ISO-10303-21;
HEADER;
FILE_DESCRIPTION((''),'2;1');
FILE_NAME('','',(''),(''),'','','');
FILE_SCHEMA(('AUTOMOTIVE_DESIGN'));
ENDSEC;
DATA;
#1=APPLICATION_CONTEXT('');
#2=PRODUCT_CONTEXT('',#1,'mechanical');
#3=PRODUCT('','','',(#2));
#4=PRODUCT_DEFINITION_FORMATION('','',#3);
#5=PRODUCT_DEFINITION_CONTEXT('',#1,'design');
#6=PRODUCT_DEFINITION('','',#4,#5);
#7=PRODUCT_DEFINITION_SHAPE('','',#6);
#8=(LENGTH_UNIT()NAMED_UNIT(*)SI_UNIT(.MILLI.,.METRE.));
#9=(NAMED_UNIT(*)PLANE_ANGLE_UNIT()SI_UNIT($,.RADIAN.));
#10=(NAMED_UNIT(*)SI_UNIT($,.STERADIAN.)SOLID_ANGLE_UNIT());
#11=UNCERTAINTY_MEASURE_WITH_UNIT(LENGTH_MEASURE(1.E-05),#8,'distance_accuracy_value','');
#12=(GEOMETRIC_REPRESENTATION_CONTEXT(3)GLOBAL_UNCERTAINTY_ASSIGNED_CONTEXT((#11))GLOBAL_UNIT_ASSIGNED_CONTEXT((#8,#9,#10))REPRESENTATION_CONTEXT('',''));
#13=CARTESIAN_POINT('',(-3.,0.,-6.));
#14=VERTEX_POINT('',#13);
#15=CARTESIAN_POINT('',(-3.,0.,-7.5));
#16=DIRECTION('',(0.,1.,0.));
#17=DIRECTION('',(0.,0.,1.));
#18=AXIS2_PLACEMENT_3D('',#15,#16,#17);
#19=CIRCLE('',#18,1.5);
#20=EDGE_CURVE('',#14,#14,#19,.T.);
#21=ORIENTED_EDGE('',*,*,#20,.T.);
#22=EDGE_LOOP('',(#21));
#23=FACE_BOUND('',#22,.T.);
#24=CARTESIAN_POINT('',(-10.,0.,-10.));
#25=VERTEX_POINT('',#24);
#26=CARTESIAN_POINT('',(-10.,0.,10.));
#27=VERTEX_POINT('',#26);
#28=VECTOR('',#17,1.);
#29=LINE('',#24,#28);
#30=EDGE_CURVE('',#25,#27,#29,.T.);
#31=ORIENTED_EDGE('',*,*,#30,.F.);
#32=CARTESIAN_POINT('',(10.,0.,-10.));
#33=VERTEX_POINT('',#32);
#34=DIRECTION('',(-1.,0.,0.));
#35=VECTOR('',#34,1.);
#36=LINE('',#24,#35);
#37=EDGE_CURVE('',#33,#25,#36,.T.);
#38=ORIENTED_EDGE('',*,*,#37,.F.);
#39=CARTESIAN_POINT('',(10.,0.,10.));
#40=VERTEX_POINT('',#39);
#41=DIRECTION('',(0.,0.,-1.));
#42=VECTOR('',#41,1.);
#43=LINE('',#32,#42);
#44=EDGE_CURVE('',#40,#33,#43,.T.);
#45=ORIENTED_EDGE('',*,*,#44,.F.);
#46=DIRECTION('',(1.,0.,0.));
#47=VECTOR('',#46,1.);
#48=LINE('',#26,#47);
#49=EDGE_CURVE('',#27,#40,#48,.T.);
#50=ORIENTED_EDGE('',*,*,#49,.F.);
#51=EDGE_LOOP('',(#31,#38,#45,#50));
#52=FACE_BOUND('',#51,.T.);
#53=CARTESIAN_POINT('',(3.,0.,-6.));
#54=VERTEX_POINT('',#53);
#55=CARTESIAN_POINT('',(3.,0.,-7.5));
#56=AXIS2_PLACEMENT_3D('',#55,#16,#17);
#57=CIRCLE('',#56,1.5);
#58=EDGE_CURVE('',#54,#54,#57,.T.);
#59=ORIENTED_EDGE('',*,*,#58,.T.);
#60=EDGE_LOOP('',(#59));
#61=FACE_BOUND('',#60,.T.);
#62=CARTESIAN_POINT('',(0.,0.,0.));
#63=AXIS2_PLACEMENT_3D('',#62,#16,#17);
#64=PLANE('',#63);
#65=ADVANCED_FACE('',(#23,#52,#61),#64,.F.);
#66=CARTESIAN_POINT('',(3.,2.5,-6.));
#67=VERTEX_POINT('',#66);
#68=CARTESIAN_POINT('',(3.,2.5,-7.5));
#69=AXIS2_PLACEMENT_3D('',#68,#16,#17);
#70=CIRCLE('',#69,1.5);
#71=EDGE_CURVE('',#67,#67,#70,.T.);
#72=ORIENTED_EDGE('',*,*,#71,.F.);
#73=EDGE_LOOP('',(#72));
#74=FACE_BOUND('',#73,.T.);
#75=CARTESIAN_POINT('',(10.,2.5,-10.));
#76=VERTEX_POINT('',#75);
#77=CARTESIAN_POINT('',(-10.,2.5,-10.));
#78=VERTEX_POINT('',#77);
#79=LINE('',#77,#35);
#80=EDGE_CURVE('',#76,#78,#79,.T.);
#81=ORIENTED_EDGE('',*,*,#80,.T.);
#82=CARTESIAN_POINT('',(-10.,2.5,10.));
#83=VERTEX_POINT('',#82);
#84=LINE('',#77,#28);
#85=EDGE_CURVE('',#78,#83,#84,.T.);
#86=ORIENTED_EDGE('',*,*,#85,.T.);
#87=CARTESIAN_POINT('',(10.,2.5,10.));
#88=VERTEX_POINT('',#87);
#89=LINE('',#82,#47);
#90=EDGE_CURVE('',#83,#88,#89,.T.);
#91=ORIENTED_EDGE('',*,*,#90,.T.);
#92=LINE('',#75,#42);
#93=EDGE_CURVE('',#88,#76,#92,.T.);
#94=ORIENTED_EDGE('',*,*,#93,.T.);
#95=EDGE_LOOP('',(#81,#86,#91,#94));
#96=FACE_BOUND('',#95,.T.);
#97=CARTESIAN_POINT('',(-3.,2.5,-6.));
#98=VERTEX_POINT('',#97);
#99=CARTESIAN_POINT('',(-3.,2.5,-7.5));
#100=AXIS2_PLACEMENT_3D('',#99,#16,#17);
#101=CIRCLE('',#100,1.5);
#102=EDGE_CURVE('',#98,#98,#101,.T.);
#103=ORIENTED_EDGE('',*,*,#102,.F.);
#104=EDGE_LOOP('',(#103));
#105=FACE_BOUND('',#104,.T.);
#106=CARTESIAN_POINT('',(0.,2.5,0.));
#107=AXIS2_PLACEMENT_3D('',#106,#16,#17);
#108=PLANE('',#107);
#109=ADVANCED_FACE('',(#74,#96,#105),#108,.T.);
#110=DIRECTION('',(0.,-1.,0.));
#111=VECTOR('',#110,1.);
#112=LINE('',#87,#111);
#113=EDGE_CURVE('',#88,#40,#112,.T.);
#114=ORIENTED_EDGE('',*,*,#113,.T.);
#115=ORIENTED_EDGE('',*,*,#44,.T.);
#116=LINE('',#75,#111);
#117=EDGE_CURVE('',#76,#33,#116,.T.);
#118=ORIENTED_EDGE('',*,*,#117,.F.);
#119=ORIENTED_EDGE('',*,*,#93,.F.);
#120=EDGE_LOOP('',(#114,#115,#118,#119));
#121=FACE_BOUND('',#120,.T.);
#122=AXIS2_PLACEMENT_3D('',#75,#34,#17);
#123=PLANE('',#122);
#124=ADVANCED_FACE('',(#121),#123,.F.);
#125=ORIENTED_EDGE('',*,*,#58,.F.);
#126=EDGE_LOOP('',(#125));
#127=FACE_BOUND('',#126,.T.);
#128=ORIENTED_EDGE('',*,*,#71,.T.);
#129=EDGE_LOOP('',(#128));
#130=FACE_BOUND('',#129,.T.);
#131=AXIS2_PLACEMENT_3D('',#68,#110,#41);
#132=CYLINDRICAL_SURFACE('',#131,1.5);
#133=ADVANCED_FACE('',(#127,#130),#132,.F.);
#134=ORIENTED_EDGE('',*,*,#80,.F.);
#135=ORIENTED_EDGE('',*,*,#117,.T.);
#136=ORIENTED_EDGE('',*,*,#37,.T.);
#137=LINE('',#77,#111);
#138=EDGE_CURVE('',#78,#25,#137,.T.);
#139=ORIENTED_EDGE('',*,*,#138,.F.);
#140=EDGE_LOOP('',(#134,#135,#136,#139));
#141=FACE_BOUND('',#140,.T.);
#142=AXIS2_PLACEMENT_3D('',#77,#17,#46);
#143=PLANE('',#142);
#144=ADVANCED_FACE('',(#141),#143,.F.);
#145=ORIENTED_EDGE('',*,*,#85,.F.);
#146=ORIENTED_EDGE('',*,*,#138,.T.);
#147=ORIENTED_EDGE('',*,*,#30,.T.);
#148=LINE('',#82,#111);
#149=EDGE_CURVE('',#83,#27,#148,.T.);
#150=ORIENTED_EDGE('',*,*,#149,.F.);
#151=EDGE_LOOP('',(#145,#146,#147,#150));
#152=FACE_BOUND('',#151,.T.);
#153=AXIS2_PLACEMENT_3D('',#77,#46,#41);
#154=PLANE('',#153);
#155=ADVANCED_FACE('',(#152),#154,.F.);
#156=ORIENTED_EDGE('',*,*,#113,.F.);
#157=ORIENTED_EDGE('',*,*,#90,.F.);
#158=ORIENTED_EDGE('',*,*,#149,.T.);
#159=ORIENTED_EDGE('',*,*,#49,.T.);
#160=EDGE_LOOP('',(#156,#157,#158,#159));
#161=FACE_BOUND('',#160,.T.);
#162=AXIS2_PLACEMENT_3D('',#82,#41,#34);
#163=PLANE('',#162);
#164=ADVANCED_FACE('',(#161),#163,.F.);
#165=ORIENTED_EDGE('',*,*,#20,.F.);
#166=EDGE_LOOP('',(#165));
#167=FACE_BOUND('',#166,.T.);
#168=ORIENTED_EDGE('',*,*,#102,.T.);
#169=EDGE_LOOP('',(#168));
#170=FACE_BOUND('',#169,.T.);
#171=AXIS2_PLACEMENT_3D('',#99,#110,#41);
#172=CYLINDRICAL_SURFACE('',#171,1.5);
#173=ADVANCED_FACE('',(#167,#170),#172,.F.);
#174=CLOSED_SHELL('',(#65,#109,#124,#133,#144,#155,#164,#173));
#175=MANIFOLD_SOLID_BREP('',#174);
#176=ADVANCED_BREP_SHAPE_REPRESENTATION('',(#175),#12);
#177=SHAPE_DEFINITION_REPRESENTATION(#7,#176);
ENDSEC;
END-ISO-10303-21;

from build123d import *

# Parameters (mm, degrees)
SKETCH1_W           = 20
SKETCH1_H           = 20
SKETCH1_R           = 1.5
BOSS_EXTRUDE1_DEPTH = 2.5


with BuildPart() as part:
    # Sketch1 → Boss-Extrude1 (new body)
    with BuildSketch(Plane(origin=(0, 0, 0), x_dir=(1, 0, 0), z_dir=(0, 1, 0))):
        Rectangle(SKETCH1_W, SKETCH1_H)
        with Locations((-3, 7.5)):
            Circle(SKETCH1_R, mode=Mode.SUBTRACT)
        with Locations((3, 7.5)):
            Circle(SKETCH1_R, mode=Mode.SUBTRACT)
    extrude(amount=BOSS_EXTRUDE1_DEPTH)


solid = part.part
